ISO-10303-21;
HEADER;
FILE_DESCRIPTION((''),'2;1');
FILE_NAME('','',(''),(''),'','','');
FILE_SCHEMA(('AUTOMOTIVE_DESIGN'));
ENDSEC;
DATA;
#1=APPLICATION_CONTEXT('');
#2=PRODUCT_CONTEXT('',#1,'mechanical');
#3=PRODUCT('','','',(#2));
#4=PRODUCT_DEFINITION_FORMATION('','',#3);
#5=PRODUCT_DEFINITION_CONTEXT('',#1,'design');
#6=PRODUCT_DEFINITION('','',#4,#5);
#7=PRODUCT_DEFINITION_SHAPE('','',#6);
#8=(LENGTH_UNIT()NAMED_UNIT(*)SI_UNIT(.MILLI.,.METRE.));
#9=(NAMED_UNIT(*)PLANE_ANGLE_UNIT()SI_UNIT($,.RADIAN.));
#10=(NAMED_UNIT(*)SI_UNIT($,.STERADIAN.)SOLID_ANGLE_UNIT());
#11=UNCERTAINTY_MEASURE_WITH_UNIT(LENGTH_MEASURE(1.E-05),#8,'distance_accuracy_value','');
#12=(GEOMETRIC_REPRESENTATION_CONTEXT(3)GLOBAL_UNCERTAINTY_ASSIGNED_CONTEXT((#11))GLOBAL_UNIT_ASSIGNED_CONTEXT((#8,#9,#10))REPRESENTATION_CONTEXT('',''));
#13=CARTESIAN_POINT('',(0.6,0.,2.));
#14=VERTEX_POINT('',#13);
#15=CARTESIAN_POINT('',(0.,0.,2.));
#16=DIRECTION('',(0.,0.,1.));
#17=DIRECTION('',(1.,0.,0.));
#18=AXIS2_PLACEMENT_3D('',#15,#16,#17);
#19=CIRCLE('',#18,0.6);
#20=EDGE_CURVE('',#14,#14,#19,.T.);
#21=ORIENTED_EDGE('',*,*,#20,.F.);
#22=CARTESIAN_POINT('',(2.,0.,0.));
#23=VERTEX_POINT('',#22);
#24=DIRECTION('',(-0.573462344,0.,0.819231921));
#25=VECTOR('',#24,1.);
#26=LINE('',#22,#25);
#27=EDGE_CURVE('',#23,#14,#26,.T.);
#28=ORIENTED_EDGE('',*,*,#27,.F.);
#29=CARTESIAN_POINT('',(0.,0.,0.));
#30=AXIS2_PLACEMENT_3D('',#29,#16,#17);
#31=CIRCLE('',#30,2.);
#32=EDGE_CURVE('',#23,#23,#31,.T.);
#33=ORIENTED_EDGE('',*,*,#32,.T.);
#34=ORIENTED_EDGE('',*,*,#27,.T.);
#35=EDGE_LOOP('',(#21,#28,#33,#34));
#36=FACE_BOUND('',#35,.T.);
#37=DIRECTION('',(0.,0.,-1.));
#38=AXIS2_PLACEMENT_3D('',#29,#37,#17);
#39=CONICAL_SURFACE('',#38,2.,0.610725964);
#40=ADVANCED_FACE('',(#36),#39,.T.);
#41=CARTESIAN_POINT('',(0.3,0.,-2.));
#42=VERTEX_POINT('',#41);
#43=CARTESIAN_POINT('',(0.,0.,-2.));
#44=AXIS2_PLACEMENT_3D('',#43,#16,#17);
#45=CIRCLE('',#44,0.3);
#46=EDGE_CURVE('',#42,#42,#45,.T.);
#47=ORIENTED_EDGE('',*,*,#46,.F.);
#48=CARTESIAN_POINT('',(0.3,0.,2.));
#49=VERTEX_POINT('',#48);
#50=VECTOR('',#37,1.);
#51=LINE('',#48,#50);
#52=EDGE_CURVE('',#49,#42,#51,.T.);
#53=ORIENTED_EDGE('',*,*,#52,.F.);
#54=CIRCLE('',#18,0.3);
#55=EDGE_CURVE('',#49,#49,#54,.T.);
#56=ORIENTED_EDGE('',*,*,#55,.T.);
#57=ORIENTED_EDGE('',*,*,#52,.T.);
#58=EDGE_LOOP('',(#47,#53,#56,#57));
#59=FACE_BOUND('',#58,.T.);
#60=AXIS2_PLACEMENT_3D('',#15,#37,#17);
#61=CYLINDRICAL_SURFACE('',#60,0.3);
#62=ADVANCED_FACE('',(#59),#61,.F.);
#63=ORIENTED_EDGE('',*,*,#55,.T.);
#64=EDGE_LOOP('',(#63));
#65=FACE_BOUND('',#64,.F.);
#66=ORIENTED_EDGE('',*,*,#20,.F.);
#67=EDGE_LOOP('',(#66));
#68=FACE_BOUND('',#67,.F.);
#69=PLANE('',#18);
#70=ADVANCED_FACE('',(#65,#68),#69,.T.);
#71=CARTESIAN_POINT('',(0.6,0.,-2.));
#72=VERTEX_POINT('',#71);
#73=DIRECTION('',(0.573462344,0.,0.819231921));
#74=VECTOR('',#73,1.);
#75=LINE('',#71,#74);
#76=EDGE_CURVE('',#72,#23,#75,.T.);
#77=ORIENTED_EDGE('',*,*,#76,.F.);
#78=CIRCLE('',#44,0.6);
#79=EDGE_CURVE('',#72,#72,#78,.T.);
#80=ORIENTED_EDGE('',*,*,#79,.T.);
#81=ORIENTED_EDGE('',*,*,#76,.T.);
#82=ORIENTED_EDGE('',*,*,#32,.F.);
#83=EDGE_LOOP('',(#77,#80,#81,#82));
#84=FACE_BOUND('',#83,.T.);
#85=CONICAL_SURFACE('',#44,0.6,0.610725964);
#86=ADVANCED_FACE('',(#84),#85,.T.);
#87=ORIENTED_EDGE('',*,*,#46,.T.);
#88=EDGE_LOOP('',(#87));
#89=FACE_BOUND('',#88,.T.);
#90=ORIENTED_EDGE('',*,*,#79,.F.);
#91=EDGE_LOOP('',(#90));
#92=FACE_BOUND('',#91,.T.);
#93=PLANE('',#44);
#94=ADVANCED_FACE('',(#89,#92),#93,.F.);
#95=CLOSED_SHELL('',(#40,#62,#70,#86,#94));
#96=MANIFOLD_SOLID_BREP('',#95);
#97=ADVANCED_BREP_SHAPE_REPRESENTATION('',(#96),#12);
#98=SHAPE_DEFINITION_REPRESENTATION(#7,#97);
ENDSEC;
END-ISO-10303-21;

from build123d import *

# Parameters (mm, degrees)
F0_W = 0.3
F0_H = 2


with BuildPart() as f1:
    # F0 (on Front) → F1 (revolve)
    with BuildSketch(Plane.XZ):
        Polygon((0.6, 0), (0.3, 0), (0.3, -2), (0.6, -2), (2, 0), align=None)
        Polygon((0.6, 2), (0.6, 0), (2, 0), align=None)
        with Locations((0.45, 1)):
            Rectangle(F0_W, F0_H)
    revolve(axis=Axis((0, 0, 1), (0, 0, 1)))


solid = f1.part
